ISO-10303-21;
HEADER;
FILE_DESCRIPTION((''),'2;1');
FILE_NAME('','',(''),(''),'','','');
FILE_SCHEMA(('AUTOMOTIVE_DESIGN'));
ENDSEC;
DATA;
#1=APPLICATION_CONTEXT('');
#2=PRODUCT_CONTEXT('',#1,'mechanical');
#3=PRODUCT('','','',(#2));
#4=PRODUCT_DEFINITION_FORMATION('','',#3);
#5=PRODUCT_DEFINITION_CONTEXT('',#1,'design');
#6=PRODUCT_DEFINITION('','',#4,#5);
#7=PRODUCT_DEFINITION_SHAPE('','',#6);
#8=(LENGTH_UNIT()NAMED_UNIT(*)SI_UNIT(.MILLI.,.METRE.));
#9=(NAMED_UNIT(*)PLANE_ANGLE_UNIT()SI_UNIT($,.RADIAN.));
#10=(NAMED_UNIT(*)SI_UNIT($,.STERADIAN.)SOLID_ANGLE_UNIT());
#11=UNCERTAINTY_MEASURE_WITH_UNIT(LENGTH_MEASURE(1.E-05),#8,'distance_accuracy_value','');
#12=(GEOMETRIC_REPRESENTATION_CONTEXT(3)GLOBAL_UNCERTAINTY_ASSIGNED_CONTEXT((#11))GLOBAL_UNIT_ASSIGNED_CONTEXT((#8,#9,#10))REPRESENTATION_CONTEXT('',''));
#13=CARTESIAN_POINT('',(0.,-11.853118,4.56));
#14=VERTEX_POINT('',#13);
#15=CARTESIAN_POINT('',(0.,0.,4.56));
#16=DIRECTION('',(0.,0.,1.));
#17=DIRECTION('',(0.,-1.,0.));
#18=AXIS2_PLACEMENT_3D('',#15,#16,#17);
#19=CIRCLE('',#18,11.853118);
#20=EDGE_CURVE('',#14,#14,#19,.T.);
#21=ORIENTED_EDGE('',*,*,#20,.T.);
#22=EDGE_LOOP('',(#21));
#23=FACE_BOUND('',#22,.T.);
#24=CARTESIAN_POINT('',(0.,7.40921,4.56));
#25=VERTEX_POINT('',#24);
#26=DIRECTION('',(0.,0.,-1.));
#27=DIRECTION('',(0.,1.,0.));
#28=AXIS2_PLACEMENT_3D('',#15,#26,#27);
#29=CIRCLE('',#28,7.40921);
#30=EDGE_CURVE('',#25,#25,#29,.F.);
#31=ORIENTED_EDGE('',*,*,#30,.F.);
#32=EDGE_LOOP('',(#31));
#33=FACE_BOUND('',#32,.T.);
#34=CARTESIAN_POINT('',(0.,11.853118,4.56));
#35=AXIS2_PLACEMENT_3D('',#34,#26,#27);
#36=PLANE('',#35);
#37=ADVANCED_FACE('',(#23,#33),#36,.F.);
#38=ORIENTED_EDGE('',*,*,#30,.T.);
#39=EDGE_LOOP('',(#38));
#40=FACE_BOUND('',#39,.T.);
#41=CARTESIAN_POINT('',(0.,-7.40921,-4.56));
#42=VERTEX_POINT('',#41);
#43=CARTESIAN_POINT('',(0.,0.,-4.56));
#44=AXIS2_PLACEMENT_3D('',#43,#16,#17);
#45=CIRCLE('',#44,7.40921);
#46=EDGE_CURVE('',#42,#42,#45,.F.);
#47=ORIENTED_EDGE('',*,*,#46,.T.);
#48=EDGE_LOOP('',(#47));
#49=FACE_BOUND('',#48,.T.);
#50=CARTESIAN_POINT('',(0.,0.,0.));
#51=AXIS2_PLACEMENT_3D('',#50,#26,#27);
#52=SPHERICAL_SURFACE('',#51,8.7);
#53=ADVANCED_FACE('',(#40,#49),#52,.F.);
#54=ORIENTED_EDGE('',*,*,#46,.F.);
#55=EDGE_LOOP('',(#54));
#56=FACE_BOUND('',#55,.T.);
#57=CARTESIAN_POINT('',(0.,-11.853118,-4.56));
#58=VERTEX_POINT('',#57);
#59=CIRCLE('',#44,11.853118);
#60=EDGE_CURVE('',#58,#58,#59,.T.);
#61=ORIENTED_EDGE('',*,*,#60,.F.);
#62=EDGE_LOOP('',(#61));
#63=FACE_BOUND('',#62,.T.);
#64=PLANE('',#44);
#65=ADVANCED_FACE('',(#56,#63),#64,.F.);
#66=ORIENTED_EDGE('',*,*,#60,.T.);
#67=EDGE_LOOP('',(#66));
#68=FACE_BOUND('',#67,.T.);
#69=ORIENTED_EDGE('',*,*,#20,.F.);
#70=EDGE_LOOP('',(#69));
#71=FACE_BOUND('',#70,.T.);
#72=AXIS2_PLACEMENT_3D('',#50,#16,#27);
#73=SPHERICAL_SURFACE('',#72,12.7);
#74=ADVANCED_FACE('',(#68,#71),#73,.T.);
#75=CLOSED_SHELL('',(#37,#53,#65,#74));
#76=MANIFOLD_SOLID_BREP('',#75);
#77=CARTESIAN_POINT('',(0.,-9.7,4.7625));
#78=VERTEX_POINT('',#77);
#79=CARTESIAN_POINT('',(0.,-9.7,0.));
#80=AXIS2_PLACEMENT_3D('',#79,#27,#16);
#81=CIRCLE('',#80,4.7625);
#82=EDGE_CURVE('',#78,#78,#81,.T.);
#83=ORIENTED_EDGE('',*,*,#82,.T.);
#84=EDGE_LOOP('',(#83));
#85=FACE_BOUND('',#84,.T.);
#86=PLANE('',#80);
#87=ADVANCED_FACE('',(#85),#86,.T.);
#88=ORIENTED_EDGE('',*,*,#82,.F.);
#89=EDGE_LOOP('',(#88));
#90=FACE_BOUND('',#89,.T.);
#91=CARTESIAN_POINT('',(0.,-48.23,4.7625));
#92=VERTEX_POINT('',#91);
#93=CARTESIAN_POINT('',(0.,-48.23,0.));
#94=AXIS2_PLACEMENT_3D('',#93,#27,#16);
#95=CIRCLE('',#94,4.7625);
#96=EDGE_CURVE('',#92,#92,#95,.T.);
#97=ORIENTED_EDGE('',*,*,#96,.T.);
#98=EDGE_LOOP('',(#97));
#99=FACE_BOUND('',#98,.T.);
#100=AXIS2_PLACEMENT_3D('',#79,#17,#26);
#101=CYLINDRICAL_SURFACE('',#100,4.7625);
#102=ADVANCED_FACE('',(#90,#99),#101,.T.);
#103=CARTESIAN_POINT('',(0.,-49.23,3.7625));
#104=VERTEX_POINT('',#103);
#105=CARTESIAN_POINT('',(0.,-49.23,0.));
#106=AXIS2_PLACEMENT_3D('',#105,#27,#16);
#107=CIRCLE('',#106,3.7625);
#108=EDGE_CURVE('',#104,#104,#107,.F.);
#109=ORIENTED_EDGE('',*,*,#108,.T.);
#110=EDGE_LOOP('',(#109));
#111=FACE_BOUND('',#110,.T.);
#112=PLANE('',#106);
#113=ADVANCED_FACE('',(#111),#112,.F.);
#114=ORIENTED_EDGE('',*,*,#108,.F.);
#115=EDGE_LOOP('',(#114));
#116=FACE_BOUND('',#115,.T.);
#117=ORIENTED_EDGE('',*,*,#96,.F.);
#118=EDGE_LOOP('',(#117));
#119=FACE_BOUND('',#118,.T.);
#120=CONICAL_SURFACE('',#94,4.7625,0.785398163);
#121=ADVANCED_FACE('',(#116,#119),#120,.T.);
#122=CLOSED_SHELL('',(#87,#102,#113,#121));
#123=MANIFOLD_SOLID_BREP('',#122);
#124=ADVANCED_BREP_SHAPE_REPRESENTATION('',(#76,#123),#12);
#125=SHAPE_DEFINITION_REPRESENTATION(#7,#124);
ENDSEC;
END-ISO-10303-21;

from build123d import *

# Parameters (mm, degrees)
SKETCH5_R           = 4.7625
EXTRUDE2_DEPTH      = 3
EXTRUDE2_DEPTH_BACK = 36.53
CHAMFER1_SIZE       = 1


with BuildPart() as part:
    # Sketch3 → Revolve2 (revolve)
    with BuildSketch(Plane(origin=(0, 0, 0), x_dir=(0, 0, -1), z_dir=(1, 0, 0))):
        with BuildLine():
            Line((-4.56, 11.853117733), (-4.56, 0))
            Line((-4.56, 0), (4.56, 0))
            Line((4.56, 0), (4.56, 11.853117733))
            ThreePointArc((4.56, 11.853117733), (0, 12.7), (-4.56, 11.853117733))
        make_face()
    revolve(axis=Axis((0, 0, 8.146649187), (0, 0, -1)))

    # Sketch2 → Cut-Revolve2 (revolve, cut)
    with BuildSketch(Plane(origin=(0, 0, 0), x_dir=(0, 0, -1), z_dir=(1, 0, 0))):
        with BuildLine():
            Line((0, 8.7), (0, -8.7))
            ThreePointArc((0, -8.7), (8.7, 0), (0, 8.7))
        make_face()
    revolve(axis=Axis((0, 15.474361319, 0), (0, -1, 0)), mode=Mode.SUBTRACT)


with BuildPart() as body_2:
    # Sketch5 → Extrude2 (new body, two sides)
    with BuildSketch(Plane(origin=(0, -12.7, 0), x_dir=(-1, 0, 0), z_dir=(0, 1, 0))) as extrude2_sk:
        Circle(SKETCH5_R)
    extrude(amount=EXTRUDE2_DEPTH)
    extrude(extrude2_sk.sketch, amount=-EXTRUDE2_DEPTH_BACK)

    # Chamfer1
    chamfer1_edges = [body_2.edges().sort_by_distance(p)[0] for p in [
        (4.7625, -49.23, 0),
    ]]
    chamfer(chamfer1_edges, length=CHAMFER1_SIZE)


solid = Compound([part.part, body_2.part])
